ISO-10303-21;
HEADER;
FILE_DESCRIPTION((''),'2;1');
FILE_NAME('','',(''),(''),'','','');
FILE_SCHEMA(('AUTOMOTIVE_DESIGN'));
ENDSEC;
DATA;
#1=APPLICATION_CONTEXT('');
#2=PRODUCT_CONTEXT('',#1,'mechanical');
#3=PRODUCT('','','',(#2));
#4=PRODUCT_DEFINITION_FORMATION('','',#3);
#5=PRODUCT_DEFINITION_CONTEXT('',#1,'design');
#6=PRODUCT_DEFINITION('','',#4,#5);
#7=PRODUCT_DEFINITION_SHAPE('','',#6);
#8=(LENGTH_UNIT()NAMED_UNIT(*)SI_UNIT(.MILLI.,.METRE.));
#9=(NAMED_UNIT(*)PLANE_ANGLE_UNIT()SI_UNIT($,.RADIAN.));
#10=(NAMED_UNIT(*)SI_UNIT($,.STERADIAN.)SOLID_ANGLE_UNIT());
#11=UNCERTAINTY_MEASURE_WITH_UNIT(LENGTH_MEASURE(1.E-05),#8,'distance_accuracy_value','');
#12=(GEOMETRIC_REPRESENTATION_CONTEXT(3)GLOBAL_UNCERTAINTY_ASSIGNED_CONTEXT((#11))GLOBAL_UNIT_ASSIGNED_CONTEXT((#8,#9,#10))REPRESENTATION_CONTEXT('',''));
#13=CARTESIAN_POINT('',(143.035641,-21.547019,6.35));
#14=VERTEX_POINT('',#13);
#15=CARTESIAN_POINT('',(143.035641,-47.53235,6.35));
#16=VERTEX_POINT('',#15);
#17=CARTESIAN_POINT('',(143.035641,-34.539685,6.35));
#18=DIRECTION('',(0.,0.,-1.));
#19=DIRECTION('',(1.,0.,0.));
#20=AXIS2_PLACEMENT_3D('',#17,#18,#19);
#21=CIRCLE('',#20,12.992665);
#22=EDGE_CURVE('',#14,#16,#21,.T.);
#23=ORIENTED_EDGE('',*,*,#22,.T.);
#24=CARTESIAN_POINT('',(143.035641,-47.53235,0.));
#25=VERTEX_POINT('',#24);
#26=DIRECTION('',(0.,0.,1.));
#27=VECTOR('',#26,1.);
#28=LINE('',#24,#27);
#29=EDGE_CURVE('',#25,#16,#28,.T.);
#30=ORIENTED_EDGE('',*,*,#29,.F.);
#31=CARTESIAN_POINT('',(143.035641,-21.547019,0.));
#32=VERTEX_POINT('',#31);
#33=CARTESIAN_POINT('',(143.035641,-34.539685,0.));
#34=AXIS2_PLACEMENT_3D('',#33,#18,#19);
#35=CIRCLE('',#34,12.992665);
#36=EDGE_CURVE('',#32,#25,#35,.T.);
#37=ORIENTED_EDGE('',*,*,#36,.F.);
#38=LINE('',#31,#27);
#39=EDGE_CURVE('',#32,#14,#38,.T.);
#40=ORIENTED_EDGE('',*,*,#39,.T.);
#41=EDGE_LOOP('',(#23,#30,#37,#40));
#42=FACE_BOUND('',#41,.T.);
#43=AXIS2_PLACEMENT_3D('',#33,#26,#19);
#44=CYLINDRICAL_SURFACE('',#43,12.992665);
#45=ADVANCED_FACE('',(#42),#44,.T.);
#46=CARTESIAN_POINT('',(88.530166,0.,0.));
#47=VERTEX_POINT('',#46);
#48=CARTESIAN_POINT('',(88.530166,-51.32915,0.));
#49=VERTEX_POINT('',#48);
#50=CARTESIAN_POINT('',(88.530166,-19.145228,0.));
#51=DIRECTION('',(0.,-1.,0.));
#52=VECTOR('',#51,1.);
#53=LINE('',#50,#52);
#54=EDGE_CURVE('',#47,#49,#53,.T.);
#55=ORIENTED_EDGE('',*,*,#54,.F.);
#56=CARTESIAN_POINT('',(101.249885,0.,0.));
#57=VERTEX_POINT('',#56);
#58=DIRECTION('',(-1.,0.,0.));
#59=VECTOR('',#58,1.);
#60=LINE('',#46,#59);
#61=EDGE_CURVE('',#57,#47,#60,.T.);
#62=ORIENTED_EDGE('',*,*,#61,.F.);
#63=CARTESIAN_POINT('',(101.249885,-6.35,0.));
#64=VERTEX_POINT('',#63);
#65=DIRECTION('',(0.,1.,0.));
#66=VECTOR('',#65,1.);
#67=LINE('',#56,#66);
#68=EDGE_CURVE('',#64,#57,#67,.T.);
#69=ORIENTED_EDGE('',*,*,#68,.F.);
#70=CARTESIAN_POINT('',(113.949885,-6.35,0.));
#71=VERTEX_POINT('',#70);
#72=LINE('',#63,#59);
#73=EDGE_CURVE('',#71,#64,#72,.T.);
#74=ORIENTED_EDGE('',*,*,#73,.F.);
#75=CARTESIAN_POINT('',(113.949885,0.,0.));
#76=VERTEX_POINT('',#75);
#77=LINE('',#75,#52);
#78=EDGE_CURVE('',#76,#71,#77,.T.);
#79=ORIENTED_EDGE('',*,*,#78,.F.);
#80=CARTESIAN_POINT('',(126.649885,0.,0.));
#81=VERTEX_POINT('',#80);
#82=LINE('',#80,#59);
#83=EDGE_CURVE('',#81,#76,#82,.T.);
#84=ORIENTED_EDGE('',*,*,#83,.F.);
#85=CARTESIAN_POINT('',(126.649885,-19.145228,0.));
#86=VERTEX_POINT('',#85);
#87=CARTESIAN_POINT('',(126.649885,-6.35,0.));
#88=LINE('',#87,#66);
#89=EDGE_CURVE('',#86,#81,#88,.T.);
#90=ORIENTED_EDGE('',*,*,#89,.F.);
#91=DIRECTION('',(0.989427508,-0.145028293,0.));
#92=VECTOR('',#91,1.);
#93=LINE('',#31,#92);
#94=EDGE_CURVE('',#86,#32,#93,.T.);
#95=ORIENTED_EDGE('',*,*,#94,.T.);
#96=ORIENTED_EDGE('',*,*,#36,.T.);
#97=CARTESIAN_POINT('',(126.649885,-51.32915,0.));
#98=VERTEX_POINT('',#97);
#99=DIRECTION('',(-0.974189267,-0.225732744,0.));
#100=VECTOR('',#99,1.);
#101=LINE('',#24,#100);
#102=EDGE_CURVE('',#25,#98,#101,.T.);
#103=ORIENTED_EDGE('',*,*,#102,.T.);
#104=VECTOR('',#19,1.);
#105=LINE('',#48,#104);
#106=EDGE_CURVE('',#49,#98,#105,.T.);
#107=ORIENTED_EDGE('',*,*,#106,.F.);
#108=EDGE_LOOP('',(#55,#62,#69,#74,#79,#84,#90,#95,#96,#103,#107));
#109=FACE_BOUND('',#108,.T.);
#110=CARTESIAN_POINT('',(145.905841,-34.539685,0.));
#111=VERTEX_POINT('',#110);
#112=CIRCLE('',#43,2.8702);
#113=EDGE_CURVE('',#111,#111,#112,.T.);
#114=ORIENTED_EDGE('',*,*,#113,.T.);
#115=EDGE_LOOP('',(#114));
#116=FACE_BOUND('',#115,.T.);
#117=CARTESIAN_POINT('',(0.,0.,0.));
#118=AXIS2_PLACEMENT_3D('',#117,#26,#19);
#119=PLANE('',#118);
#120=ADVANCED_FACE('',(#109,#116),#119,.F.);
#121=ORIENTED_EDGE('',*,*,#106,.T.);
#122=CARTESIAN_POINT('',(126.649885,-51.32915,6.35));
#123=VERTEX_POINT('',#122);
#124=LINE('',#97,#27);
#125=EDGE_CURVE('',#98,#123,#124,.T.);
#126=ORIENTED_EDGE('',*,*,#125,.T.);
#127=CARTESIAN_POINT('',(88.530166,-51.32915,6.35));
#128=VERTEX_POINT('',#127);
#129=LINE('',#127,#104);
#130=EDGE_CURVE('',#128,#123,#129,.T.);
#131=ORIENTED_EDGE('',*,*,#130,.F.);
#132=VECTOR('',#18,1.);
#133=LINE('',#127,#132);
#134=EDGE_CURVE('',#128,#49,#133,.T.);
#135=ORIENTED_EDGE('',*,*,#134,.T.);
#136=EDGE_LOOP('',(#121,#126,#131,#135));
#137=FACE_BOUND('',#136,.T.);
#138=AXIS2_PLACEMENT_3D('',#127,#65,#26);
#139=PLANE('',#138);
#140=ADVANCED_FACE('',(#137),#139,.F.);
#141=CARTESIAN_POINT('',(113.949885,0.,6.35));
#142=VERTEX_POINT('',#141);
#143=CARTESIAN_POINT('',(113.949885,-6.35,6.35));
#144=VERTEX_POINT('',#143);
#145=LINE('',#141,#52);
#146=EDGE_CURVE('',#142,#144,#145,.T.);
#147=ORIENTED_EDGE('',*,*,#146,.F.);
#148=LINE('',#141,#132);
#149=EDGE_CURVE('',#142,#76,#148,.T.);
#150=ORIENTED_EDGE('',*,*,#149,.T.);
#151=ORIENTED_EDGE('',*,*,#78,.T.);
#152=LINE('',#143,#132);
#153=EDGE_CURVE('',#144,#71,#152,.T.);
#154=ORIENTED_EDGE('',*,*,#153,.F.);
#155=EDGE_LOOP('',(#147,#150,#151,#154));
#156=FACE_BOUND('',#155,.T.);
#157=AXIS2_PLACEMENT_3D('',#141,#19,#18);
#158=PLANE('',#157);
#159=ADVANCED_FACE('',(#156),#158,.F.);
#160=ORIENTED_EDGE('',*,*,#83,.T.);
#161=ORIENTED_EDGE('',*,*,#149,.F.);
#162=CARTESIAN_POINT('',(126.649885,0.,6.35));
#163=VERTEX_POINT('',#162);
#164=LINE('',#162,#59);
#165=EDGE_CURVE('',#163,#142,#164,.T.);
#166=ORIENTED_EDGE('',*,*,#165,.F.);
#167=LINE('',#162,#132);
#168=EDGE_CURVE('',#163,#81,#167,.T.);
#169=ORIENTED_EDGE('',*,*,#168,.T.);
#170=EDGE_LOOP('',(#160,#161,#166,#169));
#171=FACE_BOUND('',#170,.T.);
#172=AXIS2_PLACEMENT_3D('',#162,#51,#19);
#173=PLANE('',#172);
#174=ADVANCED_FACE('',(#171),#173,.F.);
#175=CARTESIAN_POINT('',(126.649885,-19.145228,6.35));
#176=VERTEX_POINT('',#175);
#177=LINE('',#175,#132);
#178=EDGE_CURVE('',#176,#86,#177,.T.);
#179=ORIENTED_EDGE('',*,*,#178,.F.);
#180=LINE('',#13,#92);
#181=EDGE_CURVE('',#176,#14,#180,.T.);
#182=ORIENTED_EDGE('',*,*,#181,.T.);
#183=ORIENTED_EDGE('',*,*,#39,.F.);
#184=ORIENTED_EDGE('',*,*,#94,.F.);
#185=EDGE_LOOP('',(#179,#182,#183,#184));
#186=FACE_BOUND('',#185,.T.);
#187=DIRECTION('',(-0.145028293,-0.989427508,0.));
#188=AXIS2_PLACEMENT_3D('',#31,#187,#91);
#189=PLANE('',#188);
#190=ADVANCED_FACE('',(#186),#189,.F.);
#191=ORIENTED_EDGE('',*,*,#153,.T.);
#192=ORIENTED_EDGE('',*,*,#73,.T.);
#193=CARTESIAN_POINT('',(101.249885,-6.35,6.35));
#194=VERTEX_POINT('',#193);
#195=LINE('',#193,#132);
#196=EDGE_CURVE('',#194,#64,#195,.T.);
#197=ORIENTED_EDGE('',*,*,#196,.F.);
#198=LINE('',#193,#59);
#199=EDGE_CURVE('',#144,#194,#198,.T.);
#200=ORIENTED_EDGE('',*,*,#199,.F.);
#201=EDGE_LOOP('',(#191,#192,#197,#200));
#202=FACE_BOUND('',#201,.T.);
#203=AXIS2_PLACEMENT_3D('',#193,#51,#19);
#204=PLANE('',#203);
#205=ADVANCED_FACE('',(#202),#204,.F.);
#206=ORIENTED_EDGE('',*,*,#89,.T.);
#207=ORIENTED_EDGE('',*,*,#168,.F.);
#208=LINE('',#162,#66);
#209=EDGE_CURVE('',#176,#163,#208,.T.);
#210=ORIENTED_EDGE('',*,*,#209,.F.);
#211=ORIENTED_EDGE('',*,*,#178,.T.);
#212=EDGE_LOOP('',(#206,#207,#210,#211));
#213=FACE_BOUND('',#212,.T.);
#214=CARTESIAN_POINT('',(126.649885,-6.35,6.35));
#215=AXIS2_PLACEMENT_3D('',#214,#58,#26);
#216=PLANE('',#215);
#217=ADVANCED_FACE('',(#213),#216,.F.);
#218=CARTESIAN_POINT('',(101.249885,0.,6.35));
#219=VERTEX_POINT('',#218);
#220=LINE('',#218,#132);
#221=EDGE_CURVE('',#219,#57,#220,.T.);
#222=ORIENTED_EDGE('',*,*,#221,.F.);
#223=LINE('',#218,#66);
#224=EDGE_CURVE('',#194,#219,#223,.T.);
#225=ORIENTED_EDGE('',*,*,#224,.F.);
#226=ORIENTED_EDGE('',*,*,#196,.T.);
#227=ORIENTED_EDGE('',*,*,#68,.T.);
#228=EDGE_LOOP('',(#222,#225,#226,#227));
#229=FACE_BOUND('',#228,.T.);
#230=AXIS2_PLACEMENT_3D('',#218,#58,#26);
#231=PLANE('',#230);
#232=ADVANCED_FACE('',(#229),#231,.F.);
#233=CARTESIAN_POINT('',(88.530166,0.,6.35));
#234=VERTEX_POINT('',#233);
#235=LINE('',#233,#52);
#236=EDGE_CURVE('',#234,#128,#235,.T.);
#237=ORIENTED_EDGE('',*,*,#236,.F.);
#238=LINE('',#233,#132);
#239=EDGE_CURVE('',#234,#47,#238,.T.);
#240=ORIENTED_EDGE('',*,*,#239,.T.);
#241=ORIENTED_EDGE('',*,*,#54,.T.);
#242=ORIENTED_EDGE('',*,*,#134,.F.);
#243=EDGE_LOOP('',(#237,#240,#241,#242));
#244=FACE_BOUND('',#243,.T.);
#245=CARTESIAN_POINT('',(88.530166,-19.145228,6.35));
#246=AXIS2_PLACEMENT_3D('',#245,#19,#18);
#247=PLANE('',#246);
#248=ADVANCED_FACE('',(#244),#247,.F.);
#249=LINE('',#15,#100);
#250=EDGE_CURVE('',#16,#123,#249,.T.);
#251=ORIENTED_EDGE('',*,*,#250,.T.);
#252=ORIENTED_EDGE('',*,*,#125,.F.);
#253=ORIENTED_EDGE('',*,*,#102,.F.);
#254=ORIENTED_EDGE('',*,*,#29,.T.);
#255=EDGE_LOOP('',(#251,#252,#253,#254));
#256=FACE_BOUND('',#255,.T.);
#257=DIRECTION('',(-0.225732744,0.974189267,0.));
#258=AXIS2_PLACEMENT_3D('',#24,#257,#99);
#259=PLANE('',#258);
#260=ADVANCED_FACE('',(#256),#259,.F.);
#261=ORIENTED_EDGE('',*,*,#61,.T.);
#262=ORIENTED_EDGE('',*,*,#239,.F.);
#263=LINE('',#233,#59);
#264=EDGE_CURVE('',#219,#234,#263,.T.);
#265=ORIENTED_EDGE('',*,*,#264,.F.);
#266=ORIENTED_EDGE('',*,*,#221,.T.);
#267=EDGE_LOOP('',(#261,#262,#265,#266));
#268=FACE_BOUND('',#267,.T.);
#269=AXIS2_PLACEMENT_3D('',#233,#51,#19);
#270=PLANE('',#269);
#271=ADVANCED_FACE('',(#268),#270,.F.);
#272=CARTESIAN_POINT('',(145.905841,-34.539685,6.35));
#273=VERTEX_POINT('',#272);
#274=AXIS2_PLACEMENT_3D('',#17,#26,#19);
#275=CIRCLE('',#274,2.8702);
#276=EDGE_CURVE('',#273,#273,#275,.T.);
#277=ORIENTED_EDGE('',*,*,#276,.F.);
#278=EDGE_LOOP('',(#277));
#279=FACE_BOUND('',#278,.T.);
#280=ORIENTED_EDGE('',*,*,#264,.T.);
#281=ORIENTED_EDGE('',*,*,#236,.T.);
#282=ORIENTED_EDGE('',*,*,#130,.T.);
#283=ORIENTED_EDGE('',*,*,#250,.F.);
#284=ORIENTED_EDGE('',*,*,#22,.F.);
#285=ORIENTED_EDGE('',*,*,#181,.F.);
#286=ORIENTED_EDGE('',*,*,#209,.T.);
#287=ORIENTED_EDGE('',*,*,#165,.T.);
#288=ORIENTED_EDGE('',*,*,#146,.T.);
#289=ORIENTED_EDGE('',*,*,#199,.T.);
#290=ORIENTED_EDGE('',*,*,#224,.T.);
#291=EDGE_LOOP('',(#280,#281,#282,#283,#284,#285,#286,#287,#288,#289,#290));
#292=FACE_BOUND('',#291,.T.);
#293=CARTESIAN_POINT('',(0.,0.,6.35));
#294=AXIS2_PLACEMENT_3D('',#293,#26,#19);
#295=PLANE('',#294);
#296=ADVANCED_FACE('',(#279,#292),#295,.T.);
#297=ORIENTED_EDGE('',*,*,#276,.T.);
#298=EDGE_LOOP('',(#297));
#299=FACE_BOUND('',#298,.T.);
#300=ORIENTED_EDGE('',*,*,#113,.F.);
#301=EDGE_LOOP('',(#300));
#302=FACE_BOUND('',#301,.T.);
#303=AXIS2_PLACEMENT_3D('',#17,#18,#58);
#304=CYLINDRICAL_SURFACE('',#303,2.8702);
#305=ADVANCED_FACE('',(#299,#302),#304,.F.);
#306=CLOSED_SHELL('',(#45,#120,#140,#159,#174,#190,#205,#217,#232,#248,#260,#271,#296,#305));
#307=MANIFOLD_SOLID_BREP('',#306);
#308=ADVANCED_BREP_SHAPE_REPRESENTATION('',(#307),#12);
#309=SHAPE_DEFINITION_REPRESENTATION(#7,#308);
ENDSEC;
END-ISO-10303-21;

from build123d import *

# Parameters (mm, degrees)
SKETCH1_R           = 2.8702
BOSS_EXTRUDE1_DEPTH = 6.35
CUT_EXTRUDE1_DEPTH  = 166.459251888


with BuildPart() as part:
    # Sketch1 → Boss-Extrude1 (new body)
    with BuildSketch(Plane.XY):
        Polygon((126.649884677, 0), (113.949884677, 0), (113.949884677, -6.35), (101.249884677, -6.35), (101.249884677, 0), (88.530166142, 0), (88.530166142, -6.35), (88.530166142, -19.145228109), (88.530166142, -51.329150083), (157.167935302, -51.329150083), (157.167935302, -19.145228109), (126.649884677, -19.145228109), (126.649884677, -6.35), align=None)
        with Locations((143.035641266, -34.539684717)):
            Circle(SKETCH1_R, mode=Mode.SUBTRACT)
    extrude(amount=BOSS_EXTRUDE1_DEPTH)

    # Sketch2 → Cut-Extrude1 (cut, through all)
    with BuildSketch(Plane.XY.offset(6.35)):
        with BuildLine():
            Line((143.035641266, -21.547019343), (126.649884677, -19.145228109))
            Line((126.649884677, -19.145228109), (157.167935302, -19.145228109))
            Line((157.167935302, -19.145228109), (157.167935302, -51.329150083))
            Line((157.167935302, -51.329150083), (126.649884677, -51.329150083))
            Line((126.649884677, -51.329150083), (143.035641266, -47.532350091))
            ThreePointArc((143.035641266, -47.532350091), (156.028306641, -34.539684717), (143.035641266, -21.547019343))
        make_face()
    extrude(amount=-CUT_EXTRUDE1_DEPTH, mode=Mode.SUBTRACT)


solid = part.part
